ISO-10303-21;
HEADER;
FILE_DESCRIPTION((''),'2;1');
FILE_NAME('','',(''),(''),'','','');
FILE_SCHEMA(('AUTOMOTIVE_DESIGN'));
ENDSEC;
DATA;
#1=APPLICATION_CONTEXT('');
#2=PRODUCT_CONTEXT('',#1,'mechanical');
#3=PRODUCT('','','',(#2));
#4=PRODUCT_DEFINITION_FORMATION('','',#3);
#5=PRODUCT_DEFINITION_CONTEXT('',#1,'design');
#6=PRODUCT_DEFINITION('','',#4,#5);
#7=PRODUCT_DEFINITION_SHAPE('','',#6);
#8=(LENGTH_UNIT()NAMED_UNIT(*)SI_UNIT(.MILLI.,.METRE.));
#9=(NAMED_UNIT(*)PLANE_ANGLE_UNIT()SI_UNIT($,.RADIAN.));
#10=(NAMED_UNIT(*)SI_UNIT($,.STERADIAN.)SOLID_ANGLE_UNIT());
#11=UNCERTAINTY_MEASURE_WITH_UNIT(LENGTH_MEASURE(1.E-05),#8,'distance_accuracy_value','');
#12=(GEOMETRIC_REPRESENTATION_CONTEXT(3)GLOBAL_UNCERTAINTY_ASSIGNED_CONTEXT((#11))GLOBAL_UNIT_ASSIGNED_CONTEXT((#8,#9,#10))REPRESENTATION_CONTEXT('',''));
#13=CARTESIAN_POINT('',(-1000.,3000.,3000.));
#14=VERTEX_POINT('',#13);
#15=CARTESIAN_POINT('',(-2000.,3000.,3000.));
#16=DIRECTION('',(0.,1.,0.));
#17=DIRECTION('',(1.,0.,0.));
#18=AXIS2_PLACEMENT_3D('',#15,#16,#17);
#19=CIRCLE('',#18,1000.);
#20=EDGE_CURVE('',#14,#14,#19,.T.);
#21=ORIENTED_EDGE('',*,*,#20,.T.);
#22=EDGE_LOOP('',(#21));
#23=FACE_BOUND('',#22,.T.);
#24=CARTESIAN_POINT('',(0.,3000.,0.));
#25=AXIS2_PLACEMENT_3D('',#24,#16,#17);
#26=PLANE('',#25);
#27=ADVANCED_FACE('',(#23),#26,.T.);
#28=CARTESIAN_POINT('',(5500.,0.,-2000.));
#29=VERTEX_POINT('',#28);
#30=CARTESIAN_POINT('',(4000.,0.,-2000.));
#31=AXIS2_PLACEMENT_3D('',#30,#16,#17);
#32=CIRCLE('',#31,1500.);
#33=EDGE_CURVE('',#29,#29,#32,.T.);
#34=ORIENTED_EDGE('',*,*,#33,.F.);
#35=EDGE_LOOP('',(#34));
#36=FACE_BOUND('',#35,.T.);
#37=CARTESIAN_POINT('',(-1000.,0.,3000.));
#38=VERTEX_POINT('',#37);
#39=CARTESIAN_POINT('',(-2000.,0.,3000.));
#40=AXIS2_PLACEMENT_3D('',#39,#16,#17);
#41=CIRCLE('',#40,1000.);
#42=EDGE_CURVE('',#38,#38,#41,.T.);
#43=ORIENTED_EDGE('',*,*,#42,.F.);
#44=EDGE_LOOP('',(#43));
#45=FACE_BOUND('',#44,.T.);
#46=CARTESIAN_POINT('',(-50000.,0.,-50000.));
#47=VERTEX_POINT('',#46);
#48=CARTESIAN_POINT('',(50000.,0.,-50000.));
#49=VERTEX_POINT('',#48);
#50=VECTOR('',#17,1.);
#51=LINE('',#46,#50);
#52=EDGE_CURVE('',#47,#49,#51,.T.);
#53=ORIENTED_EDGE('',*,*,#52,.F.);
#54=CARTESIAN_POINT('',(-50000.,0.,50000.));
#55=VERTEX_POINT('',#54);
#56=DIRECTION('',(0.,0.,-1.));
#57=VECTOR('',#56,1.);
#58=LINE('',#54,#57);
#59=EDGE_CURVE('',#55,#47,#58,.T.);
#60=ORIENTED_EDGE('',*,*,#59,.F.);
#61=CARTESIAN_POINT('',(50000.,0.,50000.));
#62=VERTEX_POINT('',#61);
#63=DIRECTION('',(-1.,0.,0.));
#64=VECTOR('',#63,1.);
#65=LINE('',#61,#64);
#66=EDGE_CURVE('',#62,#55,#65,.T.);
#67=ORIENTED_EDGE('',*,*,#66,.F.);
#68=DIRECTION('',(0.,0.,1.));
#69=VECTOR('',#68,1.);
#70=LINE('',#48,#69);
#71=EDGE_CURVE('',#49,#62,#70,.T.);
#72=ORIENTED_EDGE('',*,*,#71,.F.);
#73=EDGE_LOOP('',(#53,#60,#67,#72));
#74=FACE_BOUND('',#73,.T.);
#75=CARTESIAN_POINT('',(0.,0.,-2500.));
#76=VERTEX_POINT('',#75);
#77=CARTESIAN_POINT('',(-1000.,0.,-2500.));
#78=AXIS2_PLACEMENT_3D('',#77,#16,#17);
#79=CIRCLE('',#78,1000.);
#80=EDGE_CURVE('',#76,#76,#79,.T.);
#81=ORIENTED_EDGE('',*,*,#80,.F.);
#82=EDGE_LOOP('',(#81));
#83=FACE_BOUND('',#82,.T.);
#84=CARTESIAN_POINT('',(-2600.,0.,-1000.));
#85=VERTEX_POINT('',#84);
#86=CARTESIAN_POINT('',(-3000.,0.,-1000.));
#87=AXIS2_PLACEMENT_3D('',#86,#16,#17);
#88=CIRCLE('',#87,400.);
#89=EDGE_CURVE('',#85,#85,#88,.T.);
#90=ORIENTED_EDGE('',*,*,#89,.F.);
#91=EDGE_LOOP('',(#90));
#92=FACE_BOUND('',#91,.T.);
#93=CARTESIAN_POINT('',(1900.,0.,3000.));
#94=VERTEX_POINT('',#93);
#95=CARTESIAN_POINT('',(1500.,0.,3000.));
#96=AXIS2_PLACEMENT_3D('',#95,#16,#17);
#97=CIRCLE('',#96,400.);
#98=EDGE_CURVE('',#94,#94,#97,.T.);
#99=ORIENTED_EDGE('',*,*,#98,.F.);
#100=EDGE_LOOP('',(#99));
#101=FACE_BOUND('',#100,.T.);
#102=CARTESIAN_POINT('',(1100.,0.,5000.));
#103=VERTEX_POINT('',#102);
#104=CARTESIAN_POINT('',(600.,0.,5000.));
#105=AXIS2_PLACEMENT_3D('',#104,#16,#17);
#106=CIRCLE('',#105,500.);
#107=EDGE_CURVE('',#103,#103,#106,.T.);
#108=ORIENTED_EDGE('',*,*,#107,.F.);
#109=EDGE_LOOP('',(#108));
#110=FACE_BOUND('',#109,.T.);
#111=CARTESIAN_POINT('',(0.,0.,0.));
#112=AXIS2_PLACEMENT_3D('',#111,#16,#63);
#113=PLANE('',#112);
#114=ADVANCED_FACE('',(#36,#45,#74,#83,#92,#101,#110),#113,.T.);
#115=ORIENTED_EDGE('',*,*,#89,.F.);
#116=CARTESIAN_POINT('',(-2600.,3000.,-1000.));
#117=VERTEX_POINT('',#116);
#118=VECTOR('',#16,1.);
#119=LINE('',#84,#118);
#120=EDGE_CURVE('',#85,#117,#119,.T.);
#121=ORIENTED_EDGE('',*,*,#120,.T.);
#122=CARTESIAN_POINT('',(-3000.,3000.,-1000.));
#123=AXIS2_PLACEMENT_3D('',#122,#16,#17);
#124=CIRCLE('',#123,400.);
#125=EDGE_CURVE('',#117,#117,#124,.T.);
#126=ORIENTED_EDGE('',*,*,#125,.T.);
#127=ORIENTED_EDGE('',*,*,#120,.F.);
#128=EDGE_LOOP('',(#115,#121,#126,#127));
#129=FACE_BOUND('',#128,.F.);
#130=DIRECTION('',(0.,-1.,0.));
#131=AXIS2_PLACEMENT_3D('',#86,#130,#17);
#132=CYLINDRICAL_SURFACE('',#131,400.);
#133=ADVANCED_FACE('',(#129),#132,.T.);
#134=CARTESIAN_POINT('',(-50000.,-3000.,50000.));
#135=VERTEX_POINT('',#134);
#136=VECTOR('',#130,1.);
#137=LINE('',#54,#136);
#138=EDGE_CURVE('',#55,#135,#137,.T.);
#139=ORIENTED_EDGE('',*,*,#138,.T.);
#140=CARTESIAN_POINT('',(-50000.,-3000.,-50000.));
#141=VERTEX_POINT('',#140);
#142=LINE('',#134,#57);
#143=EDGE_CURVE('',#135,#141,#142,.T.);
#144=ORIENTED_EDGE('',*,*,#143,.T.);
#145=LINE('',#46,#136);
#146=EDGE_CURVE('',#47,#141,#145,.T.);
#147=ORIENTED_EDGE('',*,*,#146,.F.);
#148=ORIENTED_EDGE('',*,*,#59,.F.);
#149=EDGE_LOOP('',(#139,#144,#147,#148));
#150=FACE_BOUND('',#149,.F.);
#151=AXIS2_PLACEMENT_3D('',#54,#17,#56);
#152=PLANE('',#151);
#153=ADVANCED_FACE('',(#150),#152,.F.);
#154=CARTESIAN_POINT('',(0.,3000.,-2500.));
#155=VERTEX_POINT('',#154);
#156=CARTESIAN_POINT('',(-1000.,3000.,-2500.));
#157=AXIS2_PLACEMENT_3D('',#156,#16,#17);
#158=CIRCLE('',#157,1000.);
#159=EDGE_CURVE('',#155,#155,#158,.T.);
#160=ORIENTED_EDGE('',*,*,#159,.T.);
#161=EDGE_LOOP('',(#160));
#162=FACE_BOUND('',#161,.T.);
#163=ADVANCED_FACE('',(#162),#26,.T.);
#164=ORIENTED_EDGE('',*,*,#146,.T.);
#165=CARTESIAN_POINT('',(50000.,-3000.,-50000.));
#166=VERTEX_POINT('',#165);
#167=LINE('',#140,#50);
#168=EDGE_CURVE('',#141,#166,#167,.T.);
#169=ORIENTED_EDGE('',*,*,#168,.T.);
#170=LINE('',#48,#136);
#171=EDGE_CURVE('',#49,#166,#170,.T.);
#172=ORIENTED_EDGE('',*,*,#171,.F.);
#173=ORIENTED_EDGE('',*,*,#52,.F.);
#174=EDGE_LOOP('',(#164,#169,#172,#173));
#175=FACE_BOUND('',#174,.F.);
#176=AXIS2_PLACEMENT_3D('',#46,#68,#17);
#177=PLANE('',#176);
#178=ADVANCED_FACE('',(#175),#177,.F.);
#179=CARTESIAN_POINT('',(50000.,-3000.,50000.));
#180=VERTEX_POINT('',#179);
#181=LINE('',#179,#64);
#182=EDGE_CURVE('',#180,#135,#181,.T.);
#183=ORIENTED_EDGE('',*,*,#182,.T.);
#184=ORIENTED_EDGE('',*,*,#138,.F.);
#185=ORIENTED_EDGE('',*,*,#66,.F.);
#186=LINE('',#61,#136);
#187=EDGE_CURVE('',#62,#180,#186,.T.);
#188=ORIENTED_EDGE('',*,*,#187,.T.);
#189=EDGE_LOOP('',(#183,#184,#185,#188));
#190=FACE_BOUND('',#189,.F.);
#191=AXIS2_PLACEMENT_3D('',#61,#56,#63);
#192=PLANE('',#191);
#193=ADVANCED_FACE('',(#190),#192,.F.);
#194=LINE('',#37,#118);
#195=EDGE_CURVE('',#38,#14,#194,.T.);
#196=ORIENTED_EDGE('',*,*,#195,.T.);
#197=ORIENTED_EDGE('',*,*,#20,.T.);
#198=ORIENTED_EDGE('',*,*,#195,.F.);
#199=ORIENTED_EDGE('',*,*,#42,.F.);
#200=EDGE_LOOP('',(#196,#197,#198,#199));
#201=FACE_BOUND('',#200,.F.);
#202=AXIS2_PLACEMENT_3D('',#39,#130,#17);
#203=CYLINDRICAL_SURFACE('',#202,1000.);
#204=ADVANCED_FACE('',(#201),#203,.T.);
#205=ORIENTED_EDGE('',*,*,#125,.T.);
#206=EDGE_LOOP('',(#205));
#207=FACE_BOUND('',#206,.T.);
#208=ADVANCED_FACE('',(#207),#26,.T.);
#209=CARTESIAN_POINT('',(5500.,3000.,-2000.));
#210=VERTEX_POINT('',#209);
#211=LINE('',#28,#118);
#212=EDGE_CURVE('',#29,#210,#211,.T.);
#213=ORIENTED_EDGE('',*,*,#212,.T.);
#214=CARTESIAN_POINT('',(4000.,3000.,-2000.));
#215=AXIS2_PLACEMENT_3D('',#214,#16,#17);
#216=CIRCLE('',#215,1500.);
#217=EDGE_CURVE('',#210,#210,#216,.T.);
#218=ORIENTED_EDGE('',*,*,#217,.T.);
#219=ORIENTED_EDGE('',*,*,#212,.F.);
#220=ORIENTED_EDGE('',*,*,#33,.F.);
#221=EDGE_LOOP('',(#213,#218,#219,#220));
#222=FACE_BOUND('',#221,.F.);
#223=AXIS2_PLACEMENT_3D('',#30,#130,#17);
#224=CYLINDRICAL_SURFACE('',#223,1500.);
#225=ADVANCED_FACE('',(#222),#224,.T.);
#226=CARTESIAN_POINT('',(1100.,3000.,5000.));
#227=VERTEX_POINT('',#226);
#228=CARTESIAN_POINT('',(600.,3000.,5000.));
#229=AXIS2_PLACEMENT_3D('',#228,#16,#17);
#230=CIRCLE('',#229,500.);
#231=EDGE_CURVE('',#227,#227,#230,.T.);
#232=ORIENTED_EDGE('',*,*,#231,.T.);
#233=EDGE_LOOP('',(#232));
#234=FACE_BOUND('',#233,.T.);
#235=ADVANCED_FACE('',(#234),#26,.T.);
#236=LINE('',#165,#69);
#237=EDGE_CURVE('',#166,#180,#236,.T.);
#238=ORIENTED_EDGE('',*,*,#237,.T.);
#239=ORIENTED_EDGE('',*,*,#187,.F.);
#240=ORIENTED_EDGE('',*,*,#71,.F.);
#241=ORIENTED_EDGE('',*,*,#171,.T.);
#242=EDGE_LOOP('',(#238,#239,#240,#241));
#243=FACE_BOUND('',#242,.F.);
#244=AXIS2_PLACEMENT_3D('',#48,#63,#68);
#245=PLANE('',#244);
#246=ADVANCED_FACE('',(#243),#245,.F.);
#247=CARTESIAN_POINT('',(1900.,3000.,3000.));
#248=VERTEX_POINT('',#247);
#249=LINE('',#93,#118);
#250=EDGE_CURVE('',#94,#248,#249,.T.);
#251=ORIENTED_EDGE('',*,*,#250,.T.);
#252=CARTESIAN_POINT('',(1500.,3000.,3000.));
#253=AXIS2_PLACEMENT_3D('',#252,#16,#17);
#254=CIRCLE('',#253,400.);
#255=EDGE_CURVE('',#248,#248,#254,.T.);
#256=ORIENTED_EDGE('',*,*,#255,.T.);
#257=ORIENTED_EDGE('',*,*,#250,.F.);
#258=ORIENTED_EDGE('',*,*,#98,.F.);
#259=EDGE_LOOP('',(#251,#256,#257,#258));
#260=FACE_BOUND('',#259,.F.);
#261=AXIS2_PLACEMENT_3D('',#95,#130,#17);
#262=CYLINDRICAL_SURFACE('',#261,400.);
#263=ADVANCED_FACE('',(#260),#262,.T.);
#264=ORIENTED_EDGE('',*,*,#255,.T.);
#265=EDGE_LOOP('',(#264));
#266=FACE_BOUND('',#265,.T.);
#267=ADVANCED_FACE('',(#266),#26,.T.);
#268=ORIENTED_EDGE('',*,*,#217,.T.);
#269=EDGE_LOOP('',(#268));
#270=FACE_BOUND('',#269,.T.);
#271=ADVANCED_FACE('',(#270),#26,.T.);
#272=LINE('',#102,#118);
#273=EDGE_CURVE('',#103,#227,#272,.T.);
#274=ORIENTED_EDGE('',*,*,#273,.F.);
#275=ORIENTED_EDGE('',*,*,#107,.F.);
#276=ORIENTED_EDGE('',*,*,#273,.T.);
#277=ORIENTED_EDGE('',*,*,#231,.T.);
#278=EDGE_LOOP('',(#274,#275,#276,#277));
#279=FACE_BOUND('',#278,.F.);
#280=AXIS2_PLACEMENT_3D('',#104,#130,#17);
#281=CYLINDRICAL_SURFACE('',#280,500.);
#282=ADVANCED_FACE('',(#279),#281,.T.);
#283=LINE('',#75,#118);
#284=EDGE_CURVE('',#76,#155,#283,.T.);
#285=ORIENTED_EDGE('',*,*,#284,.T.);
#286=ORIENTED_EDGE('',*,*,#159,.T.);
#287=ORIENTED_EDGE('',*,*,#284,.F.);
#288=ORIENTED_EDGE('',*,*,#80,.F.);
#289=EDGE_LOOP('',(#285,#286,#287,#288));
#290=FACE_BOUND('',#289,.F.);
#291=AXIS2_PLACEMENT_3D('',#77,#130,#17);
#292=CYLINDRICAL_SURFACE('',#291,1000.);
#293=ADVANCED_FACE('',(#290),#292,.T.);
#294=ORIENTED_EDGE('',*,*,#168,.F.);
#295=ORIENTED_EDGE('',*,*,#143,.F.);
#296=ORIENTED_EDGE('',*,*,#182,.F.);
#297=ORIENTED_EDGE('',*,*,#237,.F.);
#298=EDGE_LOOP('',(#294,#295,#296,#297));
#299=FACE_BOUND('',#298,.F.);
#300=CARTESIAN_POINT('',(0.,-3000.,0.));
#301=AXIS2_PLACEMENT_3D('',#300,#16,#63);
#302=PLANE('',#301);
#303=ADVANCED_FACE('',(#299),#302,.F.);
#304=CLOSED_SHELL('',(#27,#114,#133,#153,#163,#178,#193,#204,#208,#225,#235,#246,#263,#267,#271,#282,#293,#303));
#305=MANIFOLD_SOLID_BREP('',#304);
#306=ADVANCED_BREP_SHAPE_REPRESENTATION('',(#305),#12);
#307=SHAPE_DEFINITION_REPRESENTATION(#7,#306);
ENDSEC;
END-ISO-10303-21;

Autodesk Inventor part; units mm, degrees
ref_plane "YZ Plane" through (0, 0, 0) normal (1, 0, 0) x (0, 1, 0)
ref_plane "XZ Plane" through (0, 0, 0) normal (0, 1, 0) x (-1, 0, 0)
ref_plane "XY Plane" through (0, 0, 0) normal (0, 0, 1) x (1, 0, 0)
sketch "Sketch1" plane through (0, 0, 0) normal (0, 1, 0) x (-1, 0, 0)
  line L0 (-50000, 50000) -> (50000, 50000)
  line L1 (50000, 50000) -> (50000, -50000)
  line L2 (50000, -50000) -> (-50000, -50000)
  line L3 (-50000, -50000) -> (-50000, 50000)
  line L4 (-50000, 50000) -> (50000, -50000) construction
  line L5 (50000, 50000) -> (-50000, -50000) construction
  point P0 (0, 0)
  dimension "d0" = 100000
  dimension "d1" = 100000
extrude "Extrusion1" add sketch "Sketch1" against normal blind 3000
sketch "Sketch2" plane through (0, 0, 0) normal (0, 1, 0) x (1, 0, 0)
  line L0 (50000, 50000) -> (-50000, 50000) projected
  line L1 (-50000, 50000) -> (-50000, -50000) projected
  line L2 (-50000, -50000) -> (50000, -50000) projected
  line L3 (50000, -50000) -> (50000, 50000) projected
  circle A0 centre (-2000, -3000) radius 1000
  circle A1 centre (1500, -3000) radius 400
  circle A2 centre (4000, 2000) radius 1500
  circle A3 centre (-3000, 1000) radius 400
  circle A4 centre (-1000, 2500) radius 1000
  circle A5 centre (600, -5000) radius 500
  point P0 (0, 0)
  dimension "d4" = 2000
  dimension "d5" = 3000
  dimension "d6" = 2000
  dimension "d7" = 800
  dimension "d8" = 3000
  dimension "d9" = 1500
  dimension "d10" = 3000
  dimension "d11" = 2000
  dimension "d13" = 4000
  dimension "d14" = 800
  dimension "d15" = 1000
  dimension "d16" = 3000
  dimension "d17" = 2000
  dimension "d18" = 2500
  dimension "d19" = 1000
  dimension "d20" = 1000
  dimension "d21" = 5000
  dimension "d22" = 600
extrude "Extrusion2" add sketch "Sketch2" along normal blind 3000 contours A0 | A1 | A2 | A3 | A4 | A5
properties part number "verify_geometry"
